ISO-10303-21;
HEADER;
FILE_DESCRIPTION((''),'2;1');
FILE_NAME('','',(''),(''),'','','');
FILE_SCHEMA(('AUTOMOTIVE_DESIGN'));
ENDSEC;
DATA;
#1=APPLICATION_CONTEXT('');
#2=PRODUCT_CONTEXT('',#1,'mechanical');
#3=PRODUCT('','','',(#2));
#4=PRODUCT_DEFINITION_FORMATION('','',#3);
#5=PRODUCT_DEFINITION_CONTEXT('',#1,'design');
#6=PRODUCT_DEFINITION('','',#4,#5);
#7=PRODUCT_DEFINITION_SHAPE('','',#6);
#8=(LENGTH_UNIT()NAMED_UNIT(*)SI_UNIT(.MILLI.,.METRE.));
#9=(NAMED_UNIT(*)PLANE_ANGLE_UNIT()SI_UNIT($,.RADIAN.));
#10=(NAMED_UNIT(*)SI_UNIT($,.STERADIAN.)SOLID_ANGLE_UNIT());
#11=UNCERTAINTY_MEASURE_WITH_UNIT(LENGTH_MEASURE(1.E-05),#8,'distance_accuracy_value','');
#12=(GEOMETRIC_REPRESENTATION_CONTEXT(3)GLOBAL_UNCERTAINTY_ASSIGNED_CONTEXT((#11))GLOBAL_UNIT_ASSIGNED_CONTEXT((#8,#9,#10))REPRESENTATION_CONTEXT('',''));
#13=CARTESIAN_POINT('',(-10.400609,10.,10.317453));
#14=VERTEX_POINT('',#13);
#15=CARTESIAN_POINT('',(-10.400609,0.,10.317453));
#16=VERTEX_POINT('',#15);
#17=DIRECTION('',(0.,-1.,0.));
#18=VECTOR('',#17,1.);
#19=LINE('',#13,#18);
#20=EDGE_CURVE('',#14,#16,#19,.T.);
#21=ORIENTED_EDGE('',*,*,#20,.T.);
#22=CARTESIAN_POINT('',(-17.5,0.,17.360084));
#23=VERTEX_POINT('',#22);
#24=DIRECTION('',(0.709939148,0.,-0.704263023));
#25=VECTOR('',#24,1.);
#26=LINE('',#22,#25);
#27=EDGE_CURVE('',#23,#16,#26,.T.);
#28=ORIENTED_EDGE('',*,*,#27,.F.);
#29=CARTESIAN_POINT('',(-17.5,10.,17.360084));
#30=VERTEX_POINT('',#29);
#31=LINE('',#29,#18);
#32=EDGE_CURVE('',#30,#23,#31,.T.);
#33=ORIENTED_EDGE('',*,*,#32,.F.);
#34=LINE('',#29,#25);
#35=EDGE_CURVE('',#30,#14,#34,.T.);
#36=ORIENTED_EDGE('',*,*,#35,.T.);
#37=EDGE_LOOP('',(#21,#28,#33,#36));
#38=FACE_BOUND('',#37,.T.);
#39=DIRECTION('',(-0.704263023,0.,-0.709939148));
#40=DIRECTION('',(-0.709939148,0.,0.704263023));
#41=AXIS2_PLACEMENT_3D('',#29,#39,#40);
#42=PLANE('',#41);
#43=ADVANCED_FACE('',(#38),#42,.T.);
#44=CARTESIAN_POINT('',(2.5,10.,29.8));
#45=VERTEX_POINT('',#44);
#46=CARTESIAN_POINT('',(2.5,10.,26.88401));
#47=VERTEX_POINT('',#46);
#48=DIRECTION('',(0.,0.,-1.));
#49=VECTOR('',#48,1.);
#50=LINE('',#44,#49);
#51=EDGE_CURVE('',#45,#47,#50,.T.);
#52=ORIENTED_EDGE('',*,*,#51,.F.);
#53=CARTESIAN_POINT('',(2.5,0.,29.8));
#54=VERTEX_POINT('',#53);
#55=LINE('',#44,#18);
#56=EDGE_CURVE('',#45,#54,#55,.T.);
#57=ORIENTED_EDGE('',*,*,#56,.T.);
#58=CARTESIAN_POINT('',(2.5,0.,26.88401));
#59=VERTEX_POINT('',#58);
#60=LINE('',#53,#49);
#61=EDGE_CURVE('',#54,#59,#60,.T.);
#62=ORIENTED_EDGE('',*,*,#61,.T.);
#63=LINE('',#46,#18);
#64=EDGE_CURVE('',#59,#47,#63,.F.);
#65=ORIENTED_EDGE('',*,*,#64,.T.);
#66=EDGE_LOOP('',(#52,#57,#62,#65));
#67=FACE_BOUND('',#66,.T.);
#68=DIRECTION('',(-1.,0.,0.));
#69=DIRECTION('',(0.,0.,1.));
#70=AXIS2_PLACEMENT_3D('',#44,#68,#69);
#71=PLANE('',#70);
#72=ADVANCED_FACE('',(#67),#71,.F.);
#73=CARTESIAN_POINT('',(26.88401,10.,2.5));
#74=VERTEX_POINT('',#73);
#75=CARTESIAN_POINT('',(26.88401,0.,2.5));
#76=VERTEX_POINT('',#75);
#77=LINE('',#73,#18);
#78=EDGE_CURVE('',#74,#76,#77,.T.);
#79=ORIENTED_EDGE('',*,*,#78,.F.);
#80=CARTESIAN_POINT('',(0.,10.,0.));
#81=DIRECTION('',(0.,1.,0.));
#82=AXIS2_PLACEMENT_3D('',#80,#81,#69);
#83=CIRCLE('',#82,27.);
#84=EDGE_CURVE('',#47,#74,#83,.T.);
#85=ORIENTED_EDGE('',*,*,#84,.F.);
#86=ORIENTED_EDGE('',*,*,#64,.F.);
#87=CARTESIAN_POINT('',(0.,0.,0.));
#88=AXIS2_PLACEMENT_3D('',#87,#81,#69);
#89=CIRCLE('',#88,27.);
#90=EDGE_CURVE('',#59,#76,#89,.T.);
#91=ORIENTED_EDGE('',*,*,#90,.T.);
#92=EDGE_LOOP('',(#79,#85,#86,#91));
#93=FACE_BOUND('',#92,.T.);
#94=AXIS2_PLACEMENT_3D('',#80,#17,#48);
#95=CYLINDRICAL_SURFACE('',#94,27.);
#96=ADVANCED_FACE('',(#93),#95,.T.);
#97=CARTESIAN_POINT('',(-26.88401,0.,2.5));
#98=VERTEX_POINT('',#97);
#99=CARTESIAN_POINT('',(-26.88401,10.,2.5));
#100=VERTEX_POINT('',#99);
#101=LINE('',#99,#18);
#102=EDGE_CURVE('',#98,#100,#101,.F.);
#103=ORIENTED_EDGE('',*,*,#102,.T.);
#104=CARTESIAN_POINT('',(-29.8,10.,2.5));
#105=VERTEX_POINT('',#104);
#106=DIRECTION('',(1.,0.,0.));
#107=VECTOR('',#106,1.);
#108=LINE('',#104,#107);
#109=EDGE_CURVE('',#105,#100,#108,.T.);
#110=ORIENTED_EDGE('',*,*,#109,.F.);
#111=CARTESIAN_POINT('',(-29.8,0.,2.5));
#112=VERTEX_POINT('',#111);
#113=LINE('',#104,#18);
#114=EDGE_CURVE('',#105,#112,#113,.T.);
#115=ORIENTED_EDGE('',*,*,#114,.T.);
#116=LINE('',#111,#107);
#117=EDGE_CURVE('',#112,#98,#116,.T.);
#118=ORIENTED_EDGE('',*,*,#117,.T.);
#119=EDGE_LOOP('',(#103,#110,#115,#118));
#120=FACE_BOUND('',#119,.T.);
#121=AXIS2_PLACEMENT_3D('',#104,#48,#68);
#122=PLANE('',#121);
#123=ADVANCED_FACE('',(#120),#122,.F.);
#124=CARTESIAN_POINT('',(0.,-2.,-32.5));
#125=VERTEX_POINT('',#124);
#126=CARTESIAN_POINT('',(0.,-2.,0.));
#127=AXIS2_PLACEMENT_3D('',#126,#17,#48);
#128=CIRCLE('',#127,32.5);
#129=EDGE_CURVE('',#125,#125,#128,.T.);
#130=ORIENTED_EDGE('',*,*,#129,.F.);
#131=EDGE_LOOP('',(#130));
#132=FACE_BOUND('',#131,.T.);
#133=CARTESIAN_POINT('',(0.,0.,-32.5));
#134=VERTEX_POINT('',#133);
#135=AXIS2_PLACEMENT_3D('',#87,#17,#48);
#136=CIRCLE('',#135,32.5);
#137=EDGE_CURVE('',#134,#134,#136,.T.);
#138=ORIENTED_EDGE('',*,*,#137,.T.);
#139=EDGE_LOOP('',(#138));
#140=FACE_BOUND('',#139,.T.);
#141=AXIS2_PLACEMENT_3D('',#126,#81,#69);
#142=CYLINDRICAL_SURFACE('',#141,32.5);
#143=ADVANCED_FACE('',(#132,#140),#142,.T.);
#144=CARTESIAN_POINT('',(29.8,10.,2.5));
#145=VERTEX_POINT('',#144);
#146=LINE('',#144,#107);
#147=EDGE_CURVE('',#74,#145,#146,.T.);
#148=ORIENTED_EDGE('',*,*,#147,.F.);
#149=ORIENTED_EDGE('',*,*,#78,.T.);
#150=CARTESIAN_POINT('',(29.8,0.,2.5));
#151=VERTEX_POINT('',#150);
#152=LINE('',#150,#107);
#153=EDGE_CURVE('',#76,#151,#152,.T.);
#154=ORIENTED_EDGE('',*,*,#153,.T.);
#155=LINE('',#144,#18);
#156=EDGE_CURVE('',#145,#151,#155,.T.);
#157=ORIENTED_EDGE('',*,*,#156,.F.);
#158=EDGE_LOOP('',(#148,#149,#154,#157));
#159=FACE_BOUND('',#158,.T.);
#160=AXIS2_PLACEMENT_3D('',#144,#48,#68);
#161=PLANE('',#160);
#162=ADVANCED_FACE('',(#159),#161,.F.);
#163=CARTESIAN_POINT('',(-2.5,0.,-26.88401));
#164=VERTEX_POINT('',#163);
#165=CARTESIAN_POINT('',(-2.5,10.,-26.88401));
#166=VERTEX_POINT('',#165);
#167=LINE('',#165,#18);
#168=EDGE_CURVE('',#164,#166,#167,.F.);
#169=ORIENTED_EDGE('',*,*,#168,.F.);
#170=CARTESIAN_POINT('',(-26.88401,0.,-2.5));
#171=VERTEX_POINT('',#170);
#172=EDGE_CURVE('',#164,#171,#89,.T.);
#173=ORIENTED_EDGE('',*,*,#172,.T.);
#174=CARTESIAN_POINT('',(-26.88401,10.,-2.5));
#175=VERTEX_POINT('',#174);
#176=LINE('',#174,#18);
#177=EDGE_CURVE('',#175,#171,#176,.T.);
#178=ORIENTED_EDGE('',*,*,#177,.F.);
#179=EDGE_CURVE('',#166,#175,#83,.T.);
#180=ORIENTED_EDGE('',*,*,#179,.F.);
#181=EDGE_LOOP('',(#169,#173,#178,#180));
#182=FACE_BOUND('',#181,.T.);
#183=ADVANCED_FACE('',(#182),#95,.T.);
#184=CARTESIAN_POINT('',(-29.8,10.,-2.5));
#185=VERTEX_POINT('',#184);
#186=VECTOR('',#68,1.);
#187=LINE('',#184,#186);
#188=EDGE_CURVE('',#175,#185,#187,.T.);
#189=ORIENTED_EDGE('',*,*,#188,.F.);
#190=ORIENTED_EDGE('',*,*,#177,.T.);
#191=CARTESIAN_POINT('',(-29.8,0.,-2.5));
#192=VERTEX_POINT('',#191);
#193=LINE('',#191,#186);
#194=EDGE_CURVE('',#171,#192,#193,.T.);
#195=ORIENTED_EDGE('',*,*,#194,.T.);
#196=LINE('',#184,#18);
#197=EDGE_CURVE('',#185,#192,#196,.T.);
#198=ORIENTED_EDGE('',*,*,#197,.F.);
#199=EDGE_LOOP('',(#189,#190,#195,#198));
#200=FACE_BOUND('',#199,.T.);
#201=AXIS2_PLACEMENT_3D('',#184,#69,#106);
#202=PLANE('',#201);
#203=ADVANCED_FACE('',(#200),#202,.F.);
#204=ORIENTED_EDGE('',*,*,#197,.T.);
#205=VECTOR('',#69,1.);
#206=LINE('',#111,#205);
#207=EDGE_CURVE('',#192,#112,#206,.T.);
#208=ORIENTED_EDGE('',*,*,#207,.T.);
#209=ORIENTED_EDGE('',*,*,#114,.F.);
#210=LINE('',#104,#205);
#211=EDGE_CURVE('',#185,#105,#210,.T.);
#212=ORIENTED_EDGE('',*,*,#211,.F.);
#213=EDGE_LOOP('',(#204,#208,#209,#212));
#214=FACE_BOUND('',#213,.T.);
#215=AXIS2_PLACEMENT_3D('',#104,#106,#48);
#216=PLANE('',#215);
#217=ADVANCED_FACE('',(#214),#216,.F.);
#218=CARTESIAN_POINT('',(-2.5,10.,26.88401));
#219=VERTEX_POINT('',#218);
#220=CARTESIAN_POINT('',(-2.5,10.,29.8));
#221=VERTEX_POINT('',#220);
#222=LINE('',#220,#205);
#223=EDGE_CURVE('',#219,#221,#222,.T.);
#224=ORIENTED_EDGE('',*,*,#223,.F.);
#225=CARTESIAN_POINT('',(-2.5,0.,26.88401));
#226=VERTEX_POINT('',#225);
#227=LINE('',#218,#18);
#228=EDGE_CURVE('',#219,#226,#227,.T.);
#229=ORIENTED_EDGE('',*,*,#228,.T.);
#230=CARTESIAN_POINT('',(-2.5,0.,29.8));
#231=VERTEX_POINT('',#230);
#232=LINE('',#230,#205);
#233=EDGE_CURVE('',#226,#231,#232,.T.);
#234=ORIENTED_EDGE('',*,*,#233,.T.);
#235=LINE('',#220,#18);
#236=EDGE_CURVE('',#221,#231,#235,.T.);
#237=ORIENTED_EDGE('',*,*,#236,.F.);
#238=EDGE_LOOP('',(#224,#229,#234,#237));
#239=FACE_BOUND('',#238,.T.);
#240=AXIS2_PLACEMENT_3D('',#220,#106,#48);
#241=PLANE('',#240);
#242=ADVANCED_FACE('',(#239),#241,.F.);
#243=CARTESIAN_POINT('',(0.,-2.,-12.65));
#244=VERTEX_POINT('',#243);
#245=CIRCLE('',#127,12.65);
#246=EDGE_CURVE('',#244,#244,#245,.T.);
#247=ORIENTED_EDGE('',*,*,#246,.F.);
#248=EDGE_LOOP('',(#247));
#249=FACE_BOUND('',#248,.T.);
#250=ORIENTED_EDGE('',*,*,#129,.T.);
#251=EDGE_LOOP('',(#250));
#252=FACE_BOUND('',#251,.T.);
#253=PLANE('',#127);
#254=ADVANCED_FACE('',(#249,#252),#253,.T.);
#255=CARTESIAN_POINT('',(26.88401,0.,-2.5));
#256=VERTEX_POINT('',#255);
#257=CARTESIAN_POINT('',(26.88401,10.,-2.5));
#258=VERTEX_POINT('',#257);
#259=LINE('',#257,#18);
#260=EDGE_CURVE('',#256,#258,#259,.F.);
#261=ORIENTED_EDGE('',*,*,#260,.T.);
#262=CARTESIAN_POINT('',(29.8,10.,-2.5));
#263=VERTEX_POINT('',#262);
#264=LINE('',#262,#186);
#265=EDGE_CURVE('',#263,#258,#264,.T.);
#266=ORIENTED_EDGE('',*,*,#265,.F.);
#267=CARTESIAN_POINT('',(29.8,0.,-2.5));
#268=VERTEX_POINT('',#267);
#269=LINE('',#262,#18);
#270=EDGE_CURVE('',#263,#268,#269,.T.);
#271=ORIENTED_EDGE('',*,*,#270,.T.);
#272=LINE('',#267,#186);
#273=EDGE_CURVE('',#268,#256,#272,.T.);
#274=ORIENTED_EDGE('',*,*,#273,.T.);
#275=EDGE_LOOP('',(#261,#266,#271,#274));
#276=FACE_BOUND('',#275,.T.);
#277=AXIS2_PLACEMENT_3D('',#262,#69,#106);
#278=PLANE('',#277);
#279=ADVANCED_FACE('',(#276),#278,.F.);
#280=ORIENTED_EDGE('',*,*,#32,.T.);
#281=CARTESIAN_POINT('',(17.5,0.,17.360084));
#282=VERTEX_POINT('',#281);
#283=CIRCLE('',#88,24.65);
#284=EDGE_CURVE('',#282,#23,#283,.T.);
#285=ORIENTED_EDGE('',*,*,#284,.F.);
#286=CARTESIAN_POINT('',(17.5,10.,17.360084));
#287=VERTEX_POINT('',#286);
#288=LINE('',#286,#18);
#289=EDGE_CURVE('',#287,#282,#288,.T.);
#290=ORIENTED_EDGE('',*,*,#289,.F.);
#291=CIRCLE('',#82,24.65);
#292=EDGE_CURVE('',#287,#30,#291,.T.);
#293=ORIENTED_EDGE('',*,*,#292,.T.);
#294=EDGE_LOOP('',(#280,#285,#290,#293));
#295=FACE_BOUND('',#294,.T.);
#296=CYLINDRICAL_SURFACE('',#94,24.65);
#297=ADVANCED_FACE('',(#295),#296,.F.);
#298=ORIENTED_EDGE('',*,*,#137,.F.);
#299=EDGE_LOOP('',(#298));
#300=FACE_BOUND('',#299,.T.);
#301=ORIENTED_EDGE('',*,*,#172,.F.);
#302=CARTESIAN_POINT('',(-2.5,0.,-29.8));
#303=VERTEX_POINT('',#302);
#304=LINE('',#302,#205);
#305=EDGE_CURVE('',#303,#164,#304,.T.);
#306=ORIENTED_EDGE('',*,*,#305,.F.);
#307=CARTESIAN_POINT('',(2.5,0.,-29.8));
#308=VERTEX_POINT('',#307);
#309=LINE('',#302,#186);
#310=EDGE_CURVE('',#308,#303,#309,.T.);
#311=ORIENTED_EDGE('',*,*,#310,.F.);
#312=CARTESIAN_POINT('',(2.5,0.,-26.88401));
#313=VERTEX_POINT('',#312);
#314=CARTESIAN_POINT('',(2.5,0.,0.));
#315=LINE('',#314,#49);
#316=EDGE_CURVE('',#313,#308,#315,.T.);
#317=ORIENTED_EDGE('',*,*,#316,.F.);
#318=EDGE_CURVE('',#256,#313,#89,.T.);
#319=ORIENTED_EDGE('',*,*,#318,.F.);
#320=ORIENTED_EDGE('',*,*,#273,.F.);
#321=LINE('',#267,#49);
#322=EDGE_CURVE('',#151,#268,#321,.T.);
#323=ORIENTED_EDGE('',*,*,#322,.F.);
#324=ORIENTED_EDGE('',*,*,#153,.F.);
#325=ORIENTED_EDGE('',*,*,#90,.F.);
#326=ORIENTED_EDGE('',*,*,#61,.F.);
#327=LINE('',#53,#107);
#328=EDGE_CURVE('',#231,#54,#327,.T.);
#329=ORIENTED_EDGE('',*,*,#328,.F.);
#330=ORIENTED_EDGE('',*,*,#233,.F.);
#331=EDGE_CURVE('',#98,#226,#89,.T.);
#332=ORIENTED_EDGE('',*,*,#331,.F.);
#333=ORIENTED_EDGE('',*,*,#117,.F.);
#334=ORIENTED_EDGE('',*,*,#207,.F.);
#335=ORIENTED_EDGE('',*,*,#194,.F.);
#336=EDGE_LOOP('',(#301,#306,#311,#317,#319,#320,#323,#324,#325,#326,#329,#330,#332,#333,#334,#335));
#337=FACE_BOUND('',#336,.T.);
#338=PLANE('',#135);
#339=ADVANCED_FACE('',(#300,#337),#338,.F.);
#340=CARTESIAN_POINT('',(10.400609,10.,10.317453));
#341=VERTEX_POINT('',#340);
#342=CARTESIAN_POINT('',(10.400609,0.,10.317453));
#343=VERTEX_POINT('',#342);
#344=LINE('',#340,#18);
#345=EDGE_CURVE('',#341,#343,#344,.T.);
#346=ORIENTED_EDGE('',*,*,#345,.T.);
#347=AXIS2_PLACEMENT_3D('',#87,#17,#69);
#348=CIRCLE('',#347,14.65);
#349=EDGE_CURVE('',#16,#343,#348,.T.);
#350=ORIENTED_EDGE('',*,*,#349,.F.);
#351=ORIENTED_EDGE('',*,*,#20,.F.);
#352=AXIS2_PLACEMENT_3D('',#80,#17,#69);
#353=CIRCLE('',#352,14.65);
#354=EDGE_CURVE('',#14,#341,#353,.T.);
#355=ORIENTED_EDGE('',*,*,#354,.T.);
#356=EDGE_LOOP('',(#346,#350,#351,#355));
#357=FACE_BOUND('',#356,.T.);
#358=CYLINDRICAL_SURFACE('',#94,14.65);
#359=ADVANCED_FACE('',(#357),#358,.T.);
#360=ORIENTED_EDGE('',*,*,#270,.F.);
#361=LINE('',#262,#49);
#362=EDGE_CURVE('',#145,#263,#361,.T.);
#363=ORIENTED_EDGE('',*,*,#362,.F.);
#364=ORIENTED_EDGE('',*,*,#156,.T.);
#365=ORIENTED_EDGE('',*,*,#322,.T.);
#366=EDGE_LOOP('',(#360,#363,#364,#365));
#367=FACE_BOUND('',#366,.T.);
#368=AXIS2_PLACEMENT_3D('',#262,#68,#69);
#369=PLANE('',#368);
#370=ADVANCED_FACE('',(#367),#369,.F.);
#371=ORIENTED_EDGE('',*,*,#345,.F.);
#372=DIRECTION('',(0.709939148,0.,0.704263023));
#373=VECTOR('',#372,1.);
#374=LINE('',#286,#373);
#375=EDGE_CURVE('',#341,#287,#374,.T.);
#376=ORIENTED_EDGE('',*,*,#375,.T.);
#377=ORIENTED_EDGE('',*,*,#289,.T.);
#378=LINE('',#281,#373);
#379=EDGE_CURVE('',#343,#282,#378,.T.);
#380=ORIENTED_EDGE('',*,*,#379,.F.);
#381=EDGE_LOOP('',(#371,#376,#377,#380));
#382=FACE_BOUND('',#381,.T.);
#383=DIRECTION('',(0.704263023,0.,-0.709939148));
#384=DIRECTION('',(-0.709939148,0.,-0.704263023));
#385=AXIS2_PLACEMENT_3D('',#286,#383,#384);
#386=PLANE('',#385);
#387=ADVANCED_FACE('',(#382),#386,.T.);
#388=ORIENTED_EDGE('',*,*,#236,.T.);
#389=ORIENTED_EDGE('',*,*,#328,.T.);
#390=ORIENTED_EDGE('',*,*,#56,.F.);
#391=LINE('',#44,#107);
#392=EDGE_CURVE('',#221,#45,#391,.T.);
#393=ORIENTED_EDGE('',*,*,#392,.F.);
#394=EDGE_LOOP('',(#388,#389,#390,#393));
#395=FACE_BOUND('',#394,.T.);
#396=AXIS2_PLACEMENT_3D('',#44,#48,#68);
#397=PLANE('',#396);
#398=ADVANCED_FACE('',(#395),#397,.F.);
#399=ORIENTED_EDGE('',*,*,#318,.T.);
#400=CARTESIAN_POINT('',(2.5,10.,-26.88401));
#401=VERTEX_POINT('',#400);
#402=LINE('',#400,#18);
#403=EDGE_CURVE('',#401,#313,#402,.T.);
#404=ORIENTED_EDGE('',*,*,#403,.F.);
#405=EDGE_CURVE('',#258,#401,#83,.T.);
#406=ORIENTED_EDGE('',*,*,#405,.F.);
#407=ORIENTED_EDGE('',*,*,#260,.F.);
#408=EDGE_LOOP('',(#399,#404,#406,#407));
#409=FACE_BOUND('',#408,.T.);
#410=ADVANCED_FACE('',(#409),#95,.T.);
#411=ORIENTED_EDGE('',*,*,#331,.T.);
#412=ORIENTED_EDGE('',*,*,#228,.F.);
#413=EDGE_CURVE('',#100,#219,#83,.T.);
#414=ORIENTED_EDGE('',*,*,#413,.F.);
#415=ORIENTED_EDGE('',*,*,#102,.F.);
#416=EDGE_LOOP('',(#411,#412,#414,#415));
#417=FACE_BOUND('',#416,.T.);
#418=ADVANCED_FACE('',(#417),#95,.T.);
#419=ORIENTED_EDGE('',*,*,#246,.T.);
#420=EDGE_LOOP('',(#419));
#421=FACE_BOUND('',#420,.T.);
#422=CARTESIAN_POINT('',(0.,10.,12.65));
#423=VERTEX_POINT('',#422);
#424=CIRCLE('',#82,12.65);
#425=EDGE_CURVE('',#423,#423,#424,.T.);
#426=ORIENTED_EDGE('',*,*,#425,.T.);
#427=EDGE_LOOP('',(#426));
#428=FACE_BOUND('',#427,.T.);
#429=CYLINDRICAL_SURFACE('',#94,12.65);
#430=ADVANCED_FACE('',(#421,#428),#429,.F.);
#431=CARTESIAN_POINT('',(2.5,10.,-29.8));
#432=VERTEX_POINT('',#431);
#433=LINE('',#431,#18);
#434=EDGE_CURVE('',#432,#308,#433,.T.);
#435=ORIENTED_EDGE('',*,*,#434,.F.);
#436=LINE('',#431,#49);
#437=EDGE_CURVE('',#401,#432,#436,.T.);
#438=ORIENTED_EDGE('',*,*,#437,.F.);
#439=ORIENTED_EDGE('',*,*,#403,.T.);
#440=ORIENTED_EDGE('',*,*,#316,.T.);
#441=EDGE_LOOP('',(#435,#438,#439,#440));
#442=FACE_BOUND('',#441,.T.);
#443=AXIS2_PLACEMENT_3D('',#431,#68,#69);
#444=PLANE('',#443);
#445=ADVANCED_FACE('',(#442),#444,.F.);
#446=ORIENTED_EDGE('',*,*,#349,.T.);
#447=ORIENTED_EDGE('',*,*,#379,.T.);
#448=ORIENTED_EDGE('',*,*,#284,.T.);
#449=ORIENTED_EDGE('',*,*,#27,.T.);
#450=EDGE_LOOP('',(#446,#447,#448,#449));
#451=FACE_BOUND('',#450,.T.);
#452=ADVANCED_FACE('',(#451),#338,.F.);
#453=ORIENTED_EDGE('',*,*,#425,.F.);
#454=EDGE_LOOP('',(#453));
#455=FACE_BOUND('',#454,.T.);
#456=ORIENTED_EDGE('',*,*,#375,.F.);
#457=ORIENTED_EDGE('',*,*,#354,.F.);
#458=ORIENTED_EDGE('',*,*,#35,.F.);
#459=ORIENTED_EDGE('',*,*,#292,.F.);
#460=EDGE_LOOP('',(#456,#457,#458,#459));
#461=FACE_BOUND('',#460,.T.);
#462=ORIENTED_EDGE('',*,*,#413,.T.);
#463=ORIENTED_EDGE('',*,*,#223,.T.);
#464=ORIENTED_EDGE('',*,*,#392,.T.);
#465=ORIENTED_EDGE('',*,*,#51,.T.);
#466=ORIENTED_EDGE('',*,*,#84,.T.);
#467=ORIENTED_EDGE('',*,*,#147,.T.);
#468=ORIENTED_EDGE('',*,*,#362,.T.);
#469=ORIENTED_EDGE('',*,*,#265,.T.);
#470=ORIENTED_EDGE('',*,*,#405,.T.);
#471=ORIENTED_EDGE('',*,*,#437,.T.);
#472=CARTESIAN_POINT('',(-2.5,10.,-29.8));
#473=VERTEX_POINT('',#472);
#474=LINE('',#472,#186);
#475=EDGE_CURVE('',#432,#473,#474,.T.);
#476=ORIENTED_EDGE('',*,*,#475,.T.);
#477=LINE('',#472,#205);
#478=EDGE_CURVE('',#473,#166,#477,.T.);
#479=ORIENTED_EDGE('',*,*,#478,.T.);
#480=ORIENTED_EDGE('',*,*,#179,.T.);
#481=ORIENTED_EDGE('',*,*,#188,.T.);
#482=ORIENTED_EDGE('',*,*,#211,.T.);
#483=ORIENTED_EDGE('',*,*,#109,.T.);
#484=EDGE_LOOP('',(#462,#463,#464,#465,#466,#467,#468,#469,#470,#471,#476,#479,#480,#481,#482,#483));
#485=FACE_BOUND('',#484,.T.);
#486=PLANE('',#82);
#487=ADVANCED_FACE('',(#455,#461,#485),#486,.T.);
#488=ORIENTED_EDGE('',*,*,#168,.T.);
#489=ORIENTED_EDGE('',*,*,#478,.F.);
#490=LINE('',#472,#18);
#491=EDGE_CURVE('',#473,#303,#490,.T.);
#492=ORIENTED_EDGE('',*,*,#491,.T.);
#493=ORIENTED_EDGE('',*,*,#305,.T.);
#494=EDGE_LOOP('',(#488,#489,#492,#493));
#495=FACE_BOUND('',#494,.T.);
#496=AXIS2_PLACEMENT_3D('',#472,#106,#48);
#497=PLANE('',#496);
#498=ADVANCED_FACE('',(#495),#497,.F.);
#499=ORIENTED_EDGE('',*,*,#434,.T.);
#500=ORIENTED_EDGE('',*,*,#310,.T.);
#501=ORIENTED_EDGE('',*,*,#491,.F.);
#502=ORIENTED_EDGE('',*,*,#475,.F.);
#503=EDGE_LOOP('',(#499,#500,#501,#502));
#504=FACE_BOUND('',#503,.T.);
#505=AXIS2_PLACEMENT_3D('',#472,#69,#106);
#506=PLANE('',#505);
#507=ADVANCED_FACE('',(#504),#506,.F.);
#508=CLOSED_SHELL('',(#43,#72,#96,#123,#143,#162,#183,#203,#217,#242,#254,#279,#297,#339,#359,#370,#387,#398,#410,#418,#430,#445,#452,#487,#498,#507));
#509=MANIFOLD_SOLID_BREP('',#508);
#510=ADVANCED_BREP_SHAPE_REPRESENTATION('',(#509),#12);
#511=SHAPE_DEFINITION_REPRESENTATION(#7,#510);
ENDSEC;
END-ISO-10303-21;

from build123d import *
from build123d.topology import SkipClean

# Parameters (mm, degrees)
SKETCH1_R           = 27
SKETCH1_R_2         = 12.65
BOSS_EXTRUDE1_DEPTH = 10
BOSS_EXTRUDE2_START = 2
SKETCH2_R           = 32.5
SKETCH2_R_2         = 12.65
BOSS_EXTRUDE2_DEPTH = 2
SKETCH3_W           = 5
SKETCH3_H           = 4.39677325
SKETCH3_W_2         = 4.39677325
SKETCH3_H_2         = 5
BOSS_EXTRUDE3_DEPTH = 10


with BuildPart() as part:
    # Sketch1 → Boss-Extrude1 (new body)
    with BuildSketch(Plane(origin=(0, 0, 0), x_dir=(1, 0, 0), z_dir=(0, 1, 0))):
        with Locations(Location((0, 0, 0), (0, 0, 270))):
            Circle(SKETCH1_R)
        with Locations(Location((0, 0, 0), (0, 0, 270))):
            Circle(SKETCH1_R_2, mode=Mode.SUBTRACT)
        with BuildLine():
            Line((-17.5, -17.360083525), (-10.400608519, -10.317453292))
            ThreePointArc((-10.400608519, -10.317453292), (0, 14.65), (10.400608519, -10.317453292))
            Line((10.400608519, -10.317453292), (17.5, -17.360083525))
            ThreePointArc((17.5, -17.360083525), (0, 24.65), (-17.5, -17.360083525))
        make_face(mode=Mode.SUBTRACT)
    extrude(amount=BOSS_EXTRUDE1_DEPTH)

    # Sketch2 → Boss-Extrude2 (add)
    with SkipClean():  # the faces are left unmerged after this step: merging them gives an invalid solid
        with BuildSketch(Plane.XZ.offset(BOSS_EXTRUDE2_START)):
            with Locations(Location((0, 0, 0), (0, 0, 270))):
                Circle(SKETCH2_R)
            with Locations(Location((0, 0, 0), (0, 0, 270))):
                Circle(SKETCH2_R_2, mode=Mode.SUBTRACT)
        extrude(amount=-BOSS_EXTRUDE2_DEPTH)

    # Sketch3 → Boss-Extrude3 (add)
    with SkipClean():  # the faces are left unmerged after this step: merging them gives an invalid solid
        with BuildSketch(Plane(origin=(0, 0, 0), x_dir=(1, 0, 0), z_dir=(0, 1, 0))):
            with Locations((0, 27.601613375)):
                Rectangle(SKETCH3_W, SKETCH3_H)
            with Locations((27.601613375, 0)):
                Rectangle(SKETCH3_W_2, SKETCH3_H_2)
            with Locations((0, -27.601613375)):
                Rectangle(SKETCH3_W, SKETCH3_H)
            with Locations((-27.601613375, 0)):
                Rectangle(SKETCH3_W_2, SKETCH3_H_2)
        extrude(amount=BOSS_EXTRUDE3_DEPTH)


solid = part.part
